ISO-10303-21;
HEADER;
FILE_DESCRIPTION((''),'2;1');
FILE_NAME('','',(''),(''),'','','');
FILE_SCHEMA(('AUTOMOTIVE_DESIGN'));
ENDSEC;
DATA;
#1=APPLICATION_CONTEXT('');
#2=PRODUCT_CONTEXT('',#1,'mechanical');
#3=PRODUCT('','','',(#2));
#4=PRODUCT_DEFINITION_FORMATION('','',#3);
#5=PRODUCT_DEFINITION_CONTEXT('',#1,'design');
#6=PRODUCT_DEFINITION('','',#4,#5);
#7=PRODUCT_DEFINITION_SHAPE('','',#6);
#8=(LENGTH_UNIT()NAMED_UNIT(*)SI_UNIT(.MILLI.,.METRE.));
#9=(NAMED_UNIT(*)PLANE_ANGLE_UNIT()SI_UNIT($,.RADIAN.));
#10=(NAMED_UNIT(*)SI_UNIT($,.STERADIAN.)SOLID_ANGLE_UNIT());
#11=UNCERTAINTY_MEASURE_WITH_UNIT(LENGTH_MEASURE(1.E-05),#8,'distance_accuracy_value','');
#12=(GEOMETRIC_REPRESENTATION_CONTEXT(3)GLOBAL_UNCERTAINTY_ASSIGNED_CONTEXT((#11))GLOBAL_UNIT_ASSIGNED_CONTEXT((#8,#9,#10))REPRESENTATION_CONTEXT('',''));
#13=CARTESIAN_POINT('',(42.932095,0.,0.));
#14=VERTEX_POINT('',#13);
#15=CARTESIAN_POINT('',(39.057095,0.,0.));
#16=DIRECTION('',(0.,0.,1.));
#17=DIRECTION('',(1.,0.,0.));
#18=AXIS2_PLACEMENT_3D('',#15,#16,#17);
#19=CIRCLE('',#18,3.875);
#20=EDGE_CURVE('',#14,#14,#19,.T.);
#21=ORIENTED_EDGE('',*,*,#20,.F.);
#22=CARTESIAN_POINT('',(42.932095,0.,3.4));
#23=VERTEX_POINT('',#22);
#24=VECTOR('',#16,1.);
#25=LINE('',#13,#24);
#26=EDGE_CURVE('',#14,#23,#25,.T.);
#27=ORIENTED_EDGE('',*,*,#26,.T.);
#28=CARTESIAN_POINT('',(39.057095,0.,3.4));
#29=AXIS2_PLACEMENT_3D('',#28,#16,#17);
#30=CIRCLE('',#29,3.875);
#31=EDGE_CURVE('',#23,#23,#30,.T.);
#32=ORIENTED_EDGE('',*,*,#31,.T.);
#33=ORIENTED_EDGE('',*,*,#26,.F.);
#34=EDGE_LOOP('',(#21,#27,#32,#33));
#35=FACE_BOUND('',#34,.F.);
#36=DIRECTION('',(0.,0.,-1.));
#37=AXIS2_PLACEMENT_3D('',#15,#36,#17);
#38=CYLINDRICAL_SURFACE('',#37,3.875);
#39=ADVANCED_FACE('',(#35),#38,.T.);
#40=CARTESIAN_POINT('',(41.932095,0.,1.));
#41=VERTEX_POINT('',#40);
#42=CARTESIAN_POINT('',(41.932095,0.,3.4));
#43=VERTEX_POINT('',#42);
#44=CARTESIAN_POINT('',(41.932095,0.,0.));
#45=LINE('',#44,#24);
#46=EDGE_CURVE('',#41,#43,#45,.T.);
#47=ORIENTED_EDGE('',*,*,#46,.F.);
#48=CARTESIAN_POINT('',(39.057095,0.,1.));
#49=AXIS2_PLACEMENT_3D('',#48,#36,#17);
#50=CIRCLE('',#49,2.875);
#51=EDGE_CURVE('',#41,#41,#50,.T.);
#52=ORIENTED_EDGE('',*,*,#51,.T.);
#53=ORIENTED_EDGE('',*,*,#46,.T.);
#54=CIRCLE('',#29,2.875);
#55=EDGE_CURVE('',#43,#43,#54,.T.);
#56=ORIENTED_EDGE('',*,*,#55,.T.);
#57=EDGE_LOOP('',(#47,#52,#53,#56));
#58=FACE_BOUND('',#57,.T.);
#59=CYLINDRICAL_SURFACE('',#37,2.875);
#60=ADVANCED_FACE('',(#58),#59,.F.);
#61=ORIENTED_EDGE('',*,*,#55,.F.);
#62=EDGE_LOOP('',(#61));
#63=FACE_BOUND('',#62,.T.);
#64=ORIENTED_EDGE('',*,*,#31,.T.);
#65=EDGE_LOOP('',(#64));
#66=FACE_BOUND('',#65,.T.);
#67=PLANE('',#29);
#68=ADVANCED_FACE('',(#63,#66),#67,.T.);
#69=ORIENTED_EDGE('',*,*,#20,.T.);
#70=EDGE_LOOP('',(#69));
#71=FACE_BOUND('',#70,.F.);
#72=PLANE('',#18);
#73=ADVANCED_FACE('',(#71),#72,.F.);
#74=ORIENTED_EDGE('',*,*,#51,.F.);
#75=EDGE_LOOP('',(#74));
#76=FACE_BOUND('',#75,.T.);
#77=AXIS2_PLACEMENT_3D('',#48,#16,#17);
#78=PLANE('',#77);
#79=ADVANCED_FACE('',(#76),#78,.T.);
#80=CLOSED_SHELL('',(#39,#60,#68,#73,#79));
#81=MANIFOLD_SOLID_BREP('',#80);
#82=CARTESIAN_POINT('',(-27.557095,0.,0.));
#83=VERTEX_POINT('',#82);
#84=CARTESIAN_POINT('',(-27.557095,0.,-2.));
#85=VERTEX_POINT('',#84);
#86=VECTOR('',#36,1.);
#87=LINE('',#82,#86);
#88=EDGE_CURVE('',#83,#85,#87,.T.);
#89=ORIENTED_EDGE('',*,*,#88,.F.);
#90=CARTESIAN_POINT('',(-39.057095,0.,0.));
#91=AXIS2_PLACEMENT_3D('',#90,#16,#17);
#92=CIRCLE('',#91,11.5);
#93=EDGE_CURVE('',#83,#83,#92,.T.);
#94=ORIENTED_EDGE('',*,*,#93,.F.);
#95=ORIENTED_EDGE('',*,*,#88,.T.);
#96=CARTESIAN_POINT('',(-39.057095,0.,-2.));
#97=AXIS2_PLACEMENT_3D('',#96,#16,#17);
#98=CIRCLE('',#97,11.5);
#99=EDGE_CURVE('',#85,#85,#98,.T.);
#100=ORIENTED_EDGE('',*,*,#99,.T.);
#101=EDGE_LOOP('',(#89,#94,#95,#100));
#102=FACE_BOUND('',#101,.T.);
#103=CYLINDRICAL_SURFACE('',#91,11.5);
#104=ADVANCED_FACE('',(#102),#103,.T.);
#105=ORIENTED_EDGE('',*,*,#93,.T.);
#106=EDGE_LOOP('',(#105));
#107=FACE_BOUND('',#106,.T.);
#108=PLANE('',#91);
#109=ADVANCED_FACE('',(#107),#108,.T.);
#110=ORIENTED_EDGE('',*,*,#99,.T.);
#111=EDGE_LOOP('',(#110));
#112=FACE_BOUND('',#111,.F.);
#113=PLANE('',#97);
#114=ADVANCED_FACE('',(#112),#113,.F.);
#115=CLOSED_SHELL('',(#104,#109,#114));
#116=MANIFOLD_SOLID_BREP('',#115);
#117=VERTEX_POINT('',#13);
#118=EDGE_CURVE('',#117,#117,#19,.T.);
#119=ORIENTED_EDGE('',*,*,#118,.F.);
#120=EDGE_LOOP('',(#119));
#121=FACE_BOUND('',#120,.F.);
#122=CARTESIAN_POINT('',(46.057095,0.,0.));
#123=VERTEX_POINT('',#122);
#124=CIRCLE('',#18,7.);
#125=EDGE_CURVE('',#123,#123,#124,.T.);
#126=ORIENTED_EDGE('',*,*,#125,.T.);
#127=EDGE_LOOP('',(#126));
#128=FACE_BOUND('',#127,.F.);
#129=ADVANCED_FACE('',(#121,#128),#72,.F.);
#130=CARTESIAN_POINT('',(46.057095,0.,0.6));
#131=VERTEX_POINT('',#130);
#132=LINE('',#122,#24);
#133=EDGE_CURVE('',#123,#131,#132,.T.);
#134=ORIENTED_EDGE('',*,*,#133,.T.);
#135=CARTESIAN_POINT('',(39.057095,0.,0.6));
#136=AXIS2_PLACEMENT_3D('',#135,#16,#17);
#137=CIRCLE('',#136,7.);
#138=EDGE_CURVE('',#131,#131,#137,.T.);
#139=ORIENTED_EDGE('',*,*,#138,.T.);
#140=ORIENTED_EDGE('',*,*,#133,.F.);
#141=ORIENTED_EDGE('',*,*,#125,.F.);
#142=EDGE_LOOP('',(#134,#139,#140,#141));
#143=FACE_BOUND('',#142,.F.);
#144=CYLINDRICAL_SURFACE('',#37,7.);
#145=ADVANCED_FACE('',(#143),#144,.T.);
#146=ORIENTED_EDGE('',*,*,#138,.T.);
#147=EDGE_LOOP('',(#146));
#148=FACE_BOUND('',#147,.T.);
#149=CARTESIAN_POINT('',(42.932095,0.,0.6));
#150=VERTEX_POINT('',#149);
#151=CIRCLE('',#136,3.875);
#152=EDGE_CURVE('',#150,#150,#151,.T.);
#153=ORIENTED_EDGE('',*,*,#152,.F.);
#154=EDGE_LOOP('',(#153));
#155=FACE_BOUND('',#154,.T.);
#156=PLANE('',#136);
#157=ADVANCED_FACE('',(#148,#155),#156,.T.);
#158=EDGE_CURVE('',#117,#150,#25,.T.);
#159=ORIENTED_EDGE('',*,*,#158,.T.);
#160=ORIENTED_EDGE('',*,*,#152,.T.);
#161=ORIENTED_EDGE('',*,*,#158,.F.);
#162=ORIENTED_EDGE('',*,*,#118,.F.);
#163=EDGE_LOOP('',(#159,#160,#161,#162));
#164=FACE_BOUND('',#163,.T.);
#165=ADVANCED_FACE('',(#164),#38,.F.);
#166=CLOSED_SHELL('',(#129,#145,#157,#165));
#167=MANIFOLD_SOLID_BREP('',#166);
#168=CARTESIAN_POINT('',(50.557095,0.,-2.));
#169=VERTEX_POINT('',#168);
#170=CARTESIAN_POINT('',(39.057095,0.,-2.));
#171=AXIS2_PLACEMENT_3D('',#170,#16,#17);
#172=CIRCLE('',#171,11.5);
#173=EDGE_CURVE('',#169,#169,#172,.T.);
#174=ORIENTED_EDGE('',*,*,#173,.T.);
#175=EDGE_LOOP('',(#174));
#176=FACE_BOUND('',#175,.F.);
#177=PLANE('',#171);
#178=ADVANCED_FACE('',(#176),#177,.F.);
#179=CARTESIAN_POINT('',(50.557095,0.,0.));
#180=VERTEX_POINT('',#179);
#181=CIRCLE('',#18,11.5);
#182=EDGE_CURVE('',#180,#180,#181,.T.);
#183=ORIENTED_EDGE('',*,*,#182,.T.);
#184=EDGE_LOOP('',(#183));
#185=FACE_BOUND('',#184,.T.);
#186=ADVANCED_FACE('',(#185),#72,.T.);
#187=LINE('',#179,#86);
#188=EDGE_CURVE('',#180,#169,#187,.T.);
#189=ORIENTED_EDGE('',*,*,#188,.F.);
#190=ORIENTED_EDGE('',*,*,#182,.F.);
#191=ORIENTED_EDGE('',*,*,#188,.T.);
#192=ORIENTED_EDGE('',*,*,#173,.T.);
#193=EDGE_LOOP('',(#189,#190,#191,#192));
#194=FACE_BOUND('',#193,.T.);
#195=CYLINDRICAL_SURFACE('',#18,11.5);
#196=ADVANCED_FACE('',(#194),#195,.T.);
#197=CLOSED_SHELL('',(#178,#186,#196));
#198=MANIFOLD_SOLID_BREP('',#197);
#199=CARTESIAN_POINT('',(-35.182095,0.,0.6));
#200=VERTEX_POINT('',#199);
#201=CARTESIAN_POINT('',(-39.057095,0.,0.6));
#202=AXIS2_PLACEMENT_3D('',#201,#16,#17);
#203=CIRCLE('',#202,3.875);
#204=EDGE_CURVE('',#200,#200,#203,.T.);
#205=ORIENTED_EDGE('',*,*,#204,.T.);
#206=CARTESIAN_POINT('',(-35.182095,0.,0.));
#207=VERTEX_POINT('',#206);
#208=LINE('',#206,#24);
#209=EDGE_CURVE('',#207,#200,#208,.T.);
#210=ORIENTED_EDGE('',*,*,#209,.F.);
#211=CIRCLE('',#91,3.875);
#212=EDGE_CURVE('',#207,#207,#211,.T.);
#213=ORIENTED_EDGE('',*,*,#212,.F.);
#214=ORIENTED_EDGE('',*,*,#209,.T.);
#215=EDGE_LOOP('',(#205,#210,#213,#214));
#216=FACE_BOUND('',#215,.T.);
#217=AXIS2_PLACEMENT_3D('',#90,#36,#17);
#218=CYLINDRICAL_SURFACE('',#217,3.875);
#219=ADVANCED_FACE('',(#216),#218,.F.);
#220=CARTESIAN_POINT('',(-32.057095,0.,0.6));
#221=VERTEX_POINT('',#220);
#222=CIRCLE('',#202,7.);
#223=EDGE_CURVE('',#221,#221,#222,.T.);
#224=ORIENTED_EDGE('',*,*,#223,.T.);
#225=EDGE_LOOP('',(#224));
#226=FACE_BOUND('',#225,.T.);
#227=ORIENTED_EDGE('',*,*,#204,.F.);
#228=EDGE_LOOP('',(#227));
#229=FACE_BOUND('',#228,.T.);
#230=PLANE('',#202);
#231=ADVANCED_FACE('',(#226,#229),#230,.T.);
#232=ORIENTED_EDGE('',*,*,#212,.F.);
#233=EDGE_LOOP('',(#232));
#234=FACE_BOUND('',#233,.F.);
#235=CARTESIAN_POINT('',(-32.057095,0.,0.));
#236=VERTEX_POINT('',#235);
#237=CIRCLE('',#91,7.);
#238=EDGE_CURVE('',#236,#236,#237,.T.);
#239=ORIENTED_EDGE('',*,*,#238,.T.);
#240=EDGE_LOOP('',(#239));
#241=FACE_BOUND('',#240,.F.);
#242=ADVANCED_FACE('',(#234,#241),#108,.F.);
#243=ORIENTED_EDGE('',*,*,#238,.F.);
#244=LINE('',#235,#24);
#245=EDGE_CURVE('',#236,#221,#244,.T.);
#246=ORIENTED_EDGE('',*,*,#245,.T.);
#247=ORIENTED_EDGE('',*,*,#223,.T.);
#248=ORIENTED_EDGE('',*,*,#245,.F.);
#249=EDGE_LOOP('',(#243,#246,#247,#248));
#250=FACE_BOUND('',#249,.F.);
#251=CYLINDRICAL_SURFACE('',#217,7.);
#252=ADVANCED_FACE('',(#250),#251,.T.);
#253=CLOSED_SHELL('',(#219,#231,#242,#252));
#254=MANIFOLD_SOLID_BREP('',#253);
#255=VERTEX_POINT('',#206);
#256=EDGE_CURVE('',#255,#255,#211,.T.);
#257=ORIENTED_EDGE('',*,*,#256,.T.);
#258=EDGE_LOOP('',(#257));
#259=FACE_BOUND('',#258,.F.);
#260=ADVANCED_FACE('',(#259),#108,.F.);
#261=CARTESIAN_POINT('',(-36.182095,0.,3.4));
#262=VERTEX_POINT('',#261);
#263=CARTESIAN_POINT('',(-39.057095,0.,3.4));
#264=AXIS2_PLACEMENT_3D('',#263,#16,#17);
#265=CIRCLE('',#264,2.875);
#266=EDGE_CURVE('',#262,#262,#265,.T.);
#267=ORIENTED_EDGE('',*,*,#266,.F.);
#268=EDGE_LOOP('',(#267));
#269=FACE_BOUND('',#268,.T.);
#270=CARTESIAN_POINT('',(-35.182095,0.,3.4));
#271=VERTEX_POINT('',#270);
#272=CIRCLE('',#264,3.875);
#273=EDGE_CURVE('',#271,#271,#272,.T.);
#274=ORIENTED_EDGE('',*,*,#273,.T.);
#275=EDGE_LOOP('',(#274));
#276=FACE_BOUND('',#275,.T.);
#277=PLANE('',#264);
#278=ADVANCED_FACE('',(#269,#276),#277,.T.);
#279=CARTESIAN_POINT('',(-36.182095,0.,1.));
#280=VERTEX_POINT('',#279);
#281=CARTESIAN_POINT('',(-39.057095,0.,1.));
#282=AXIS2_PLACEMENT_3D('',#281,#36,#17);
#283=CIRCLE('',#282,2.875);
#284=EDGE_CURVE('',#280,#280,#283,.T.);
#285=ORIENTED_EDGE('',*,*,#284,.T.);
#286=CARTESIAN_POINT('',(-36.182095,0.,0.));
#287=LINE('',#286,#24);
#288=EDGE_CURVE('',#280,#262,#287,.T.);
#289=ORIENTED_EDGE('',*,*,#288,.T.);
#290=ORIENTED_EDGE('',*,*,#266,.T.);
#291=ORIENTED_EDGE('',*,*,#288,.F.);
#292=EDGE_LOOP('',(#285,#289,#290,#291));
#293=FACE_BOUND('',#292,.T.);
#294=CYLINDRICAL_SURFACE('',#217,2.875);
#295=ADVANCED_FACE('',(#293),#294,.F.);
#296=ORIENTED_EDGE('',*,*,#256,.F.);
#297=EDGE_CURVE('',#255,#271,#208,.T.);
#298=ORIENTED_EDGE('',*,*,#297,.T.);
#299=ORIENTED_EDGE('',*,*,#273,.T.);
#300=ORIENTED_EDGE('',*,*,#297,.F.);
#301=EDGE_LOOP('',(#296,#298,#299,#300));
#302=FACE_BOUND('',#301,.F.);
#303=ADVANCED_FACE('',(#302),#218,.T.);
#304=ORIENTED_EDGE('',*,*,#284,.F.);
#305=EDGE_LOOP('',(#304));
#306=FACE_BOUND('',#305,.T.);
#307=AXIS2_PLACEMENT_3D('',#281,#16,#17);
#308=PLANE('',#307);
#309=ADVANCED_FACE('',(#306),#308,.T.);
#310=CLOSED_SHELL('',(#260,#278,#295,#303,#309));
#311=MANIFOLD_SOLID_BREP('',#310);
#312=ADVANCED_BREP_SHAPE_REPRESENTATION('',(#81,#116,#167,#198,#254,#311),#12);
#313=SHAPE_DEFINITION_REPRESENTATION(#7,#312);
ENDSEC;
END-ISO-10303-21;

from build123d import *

# Parameters (mm, degrees)
F0_R     = 3.875
F1_DEPTH = 3.4
F0_R_2   = 7
F2_DEPTH = 0.6
F0_R_3   = 11.5
F3_DEPTH = 2
F4_T     = -1
F4_2_T   = -1


with BuildPart() as f1:
    # F0 (on Top) → F1 (new body)
    with BuildSketch(Plane.XY):
        with Locations((-39.0570946038, 0)):
            Circle(F0_R)
    extrude(amount=F1_DEPTH)

    # F4
    f4_openings = [f1.faces().sort_by_distance(p)[0] for p in [
        (-39.057095, 0, 3.4),
    ]]
    offset(amount=F4_T, openings=f4_openings)


with BuildPart() as f1b:
    # F0 (on Top) → F1, piece 2 (new body)
    with BuildSketch(Plane.XY):
        with Locations((39.0570946038, 0)):
            Circle(F0_R)
    extrude(amount=F1_DEPTH)

    # F4#2
    f4_2_openings = [f1b.faces().sort_by_distance(p)[0] for p in [
        (39.057095, 0, 3.4),
    ]]
    offset(amount=F4_2_T, openings=f4_2_openings)


with BuildPart() as f2:
    # F0 (on Top) → F2 (new body)
    with BuildSketch(Plane.XY):
        with Locations((-39.0570946038, 0)):
            Circle(F0_R_2)
        with Locations((-39.0570946038, 0)):
            Circle(F0_R, mode=Mode.SUBTRACT)
    extrude(amount=F2_DEPTH)


with BuildPart() as f2b:
    # F0 (on Top) → F2, piece 2 (new body)
    with BuildSketch(Plane.XY):
        with Locations((39.0570946038, 0)):
            Circle(F0_R_2)
        with Locations((39.0570946038, 0)):
            Circle(F0_R, mode=Mode.SUBTRACT)
    extrude(amount=F2_DEPTH)


with BuildPart() as f3:
    # F0 (on Top) → F3 (new body)
    with BuildSketch(Plane.XY):
        with Locations((-39.0570946038, 0)):
            Circle(F0_R_3)
        with Locations((-39.0570946038, 0)):
            Circle(F0_R_2, mode=Mode.SUBTRACT)
        with Locations((-39.0570946038, 0)):
            Circle(F0_R_2)
        with Locations((-39.0570946038, 0)):
            Circle(F0_R, mode=Mode.SUBTRACT)
        with Locations((-39.0570946038, 0)):
            Circle(F0_R)
    extrude(amount=-F3_DEPTH)


with BuildPart() as f3b:
    # F0 (on Top) → F3, piece 2 (new body)
    with BuildSketch(Plane.XY):
        with Locations((39.0570946038, 0)):
            Circle(F0_R_3)
        with Locations((39.0570946038, 0)):
            Circle(F0_R_2, mode=Mode.SUBTRACT)
        with Locations((39.0570946038, 0)):
            Circle(F0_R_2)
        with Locations((39.0570946038, 0)):
            Circle(F0_R, mode=Mode.SUBTRACT)
        with Locations((39.0570946038, 0)):
            Circle(F0_R)
    extrude(amount=-F3_DEPTH)


solid = Compound([f1.part, f1b.part, f2.part, f2b.part, f3.part, f3b.part])
